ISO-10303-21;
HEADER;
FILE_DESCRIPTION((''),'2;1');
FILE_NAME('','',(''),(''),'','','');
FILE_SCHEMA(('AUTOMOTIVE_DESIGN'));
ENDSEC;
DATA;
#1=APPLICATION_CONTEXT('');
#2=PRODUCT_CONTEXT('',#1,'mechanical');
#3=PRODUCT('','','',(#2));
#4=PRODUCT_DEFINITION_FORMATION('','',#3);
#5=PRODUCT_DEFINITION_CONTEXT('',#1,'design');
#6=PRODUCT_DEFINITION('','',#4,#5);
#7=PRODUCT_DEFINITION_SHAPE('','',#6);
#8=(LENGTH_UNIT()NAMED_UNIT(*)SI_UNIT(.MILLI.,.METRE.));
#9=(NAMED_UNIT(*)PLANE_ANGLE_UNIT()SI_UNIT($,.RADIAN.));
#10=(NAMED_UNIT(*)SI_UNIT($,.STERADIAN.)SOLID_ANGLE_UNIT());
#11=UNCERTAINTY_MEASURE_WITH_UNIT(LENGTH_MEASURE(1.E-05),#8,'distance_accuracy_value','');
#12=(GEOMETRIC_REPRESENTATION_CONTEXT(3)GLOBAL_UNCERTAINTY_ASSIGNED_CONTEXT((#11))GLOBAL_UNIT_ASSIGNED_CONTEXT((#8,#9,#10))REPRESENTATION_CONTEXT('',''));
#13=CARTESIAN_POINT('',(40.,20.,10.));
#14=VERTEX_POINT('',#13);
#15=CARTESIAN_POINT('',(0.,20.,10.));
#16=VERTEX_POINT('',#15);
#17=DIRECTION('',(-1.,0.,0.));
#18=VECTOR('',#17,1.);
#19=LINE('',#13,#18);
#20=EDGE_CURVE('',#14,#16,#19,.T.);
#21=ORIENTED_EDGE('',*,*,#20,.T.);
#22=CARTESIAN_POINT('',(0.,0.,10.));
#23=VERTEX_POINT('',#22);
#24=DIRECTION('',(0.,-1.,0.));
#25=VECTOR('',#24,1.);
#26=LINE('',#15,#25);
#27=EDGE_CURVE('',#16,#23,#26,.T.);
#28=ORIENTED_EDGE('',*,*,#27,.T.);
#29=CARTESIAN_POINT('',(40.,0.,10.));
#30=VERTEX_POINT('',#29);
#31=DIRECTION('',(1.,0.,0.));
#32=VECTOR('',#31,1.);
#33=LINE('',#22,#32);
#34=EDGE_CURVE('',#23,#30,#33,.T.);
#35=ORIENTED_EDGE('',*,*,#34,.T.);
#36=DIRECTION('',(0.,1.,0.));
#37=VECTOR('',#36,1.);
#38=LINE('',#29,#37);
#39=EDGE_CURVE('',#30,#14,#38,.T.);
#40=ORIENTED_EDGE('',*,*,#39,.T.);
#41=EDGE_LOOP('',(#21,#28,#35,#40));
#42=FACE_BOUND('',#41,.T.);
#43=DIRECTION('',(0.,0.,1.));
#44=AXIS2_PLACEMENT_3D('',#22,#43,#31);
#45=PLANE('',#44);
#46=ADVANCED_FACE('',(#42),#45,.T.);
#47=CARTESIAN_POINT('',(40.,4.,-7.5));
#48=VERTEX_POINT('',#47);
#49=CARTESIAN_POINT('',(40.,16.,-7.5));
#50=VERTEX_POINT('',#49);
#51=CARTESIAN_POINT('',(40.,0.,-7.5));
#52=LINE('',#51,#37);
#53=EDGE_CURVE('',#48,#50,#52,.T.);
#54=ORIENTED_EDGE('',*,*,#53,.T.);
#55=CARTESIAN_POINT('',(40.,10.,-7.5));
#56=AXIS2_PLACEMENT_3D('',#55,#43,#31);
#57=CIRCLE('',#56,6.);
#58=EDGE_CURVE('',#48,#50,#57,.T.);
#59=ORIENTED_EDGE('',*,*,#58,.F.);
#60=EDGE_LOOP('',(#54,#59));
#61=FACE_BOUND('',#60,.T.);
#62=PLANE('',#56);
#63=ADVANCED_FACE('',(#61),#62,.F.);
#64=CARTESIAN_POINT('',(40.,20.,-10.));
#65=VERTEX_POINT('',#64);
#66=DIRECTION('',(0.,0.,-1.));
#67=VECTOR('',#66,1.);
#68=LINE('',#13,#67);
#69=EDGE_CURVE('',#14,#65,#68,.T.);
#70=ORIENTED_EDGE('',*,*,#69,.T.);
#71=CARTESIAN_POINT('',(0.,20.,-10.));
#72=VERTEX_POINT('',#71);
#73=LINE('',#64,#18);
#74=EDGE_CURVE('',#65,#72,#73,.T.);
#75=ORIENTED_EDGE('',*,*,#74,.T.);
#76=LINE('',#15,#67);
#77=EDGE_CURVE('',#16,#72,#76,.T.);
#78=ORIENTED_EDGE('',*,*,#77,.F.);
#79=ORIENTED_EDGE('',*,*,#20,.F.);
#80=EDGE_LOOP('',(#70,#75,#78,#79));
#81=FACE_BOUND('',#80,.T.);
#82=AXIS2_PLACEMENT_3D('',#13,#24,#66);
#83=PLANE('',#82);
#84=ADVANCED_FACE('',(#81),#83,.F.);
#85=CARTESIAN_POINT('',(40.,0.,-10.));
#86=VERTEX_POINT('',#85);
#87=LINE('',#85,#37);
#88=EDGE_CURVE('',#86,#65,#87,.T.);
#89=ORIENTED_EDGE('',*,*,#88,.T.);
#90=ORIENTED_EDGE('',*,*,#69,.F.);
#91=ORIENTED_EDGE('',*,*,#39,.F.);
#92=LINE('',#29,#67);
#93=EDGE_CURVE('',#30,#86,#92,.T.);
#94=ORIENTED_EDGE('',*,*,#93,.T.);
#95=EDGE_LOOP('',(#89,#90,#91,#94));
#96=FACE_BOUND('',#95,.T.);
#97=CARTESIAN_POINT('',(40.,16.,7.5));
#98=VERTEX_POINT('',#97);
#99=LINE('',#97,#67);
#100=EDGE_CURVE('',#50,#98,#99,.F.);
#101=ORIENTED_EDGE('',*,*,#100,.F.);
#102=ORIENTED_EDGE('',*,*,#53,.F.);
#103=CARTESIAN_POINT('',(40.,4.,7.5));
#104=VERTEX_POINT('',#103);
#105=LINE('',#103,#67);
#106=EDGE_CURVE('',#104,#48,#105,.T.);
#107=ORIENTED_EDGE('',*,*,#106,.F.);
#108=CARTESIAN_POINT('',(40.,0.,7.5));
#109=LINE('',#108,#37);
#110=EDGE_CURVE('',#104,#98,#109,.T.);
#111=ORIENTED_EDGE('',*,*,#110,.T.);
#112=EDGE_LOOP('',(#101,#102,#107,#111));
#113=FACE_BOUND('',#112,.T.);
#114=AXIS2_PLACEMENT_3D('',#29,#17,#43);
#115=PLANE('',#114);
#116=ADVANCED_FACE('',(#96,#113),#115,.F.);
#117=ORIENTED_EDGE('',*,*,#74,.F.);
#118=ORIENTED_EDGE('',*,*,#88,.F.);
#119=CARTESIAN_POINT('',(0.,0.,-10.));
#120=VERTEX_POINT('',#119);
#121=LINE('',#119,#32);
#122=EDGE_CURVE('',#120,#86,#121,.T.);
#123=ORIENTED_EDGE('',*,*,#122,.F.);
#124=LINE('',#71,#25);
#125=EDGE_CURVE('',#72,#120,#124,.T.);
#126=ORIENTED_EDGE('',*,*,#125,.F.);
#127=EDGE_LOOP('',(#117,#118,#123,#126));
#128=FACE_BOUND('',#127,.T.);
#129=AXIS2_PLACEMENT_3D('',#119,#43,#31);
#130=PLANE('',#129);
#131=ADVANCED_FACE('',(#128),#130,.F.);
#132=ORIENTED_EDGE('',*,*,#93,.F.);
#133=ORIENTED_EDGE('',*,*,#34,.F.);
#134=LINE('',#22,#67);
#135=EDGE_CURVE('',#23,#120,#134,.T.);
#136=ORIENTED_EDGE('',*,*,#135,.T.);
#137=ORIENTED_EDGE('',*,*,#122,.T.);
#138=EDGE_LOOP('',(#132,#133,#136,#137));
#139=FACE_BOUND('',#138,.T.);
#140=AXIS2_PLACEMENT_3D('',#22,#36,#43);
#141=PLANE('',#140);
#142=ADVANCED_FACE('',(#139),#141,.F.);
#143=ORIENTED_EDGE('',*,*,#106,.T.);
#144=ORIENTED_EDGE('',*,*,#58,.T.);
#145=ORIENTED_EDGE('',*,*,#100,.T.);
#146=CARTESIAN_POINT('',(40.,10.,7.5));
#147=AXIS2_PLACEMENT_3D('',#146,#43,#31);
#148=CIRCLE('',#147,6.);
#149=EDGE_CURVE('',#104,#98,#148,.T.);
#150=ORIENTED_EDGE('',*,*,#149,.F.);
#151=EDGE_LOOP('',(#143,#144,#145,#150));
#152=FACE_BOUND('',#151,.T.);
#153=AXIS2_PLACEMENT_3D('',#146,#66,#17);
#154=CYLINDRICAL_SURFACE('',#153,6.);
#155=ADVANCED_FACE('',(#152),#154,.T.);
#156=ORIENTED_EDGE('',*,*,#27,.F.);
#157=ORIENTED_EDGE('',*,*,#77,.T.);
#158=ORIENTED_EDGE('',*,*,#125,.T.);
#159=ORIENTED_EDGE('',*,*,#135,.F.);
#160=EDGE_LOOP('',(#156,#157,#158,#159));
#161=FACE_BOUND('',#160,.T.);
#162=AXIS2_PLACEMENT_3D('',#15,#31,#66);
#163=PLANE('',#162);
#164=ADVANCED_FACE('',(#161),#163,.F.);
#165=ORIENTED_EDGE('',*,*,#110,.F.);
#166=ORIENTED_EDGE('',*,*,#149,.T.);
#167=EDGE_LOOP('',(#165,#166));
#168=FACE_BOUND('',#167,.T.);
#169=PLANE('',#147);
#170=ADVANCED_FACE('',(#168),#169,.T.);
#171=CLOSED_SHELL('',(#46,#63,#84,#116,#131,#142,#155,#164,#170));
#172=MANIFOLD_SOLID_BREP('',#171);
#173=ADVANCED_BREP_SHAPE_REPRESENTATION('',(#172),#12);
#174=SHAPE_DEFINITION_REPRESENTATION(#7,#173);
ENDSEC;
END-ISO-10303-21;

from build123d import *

# Parameters (mm, degrees)
SKETCH1_W           = 40
SKETCH1_H           = 20
BOSS_EXTRUDE1_DEPTH = 10
SKETCH2_R           = 6
BOSS_EXTRUDE2_DEPTH = 7.5


with BuildPart() as part:
    # Sketch1 → Boss-Extrude1 (new, symmetric)
    with BuildSketch(Plane.XY):
        with Locations((20, 10)):
            Rectangle(SKETCH1_W, SKETCH1_H)
    extrude(amount=BOSS_EXTRUDE1_DEPTH, both=True)

    # Sketch2 → Boss-Extrude2 (add, symmetric)
    with BuildSketch(Plane.XY):
        with Locations((40, 10)):
            Circle(SKETCH2_R)
    extrude(amount=BOSS_EXTRUDE2_DEPTH, both=True)


solid = part.part
